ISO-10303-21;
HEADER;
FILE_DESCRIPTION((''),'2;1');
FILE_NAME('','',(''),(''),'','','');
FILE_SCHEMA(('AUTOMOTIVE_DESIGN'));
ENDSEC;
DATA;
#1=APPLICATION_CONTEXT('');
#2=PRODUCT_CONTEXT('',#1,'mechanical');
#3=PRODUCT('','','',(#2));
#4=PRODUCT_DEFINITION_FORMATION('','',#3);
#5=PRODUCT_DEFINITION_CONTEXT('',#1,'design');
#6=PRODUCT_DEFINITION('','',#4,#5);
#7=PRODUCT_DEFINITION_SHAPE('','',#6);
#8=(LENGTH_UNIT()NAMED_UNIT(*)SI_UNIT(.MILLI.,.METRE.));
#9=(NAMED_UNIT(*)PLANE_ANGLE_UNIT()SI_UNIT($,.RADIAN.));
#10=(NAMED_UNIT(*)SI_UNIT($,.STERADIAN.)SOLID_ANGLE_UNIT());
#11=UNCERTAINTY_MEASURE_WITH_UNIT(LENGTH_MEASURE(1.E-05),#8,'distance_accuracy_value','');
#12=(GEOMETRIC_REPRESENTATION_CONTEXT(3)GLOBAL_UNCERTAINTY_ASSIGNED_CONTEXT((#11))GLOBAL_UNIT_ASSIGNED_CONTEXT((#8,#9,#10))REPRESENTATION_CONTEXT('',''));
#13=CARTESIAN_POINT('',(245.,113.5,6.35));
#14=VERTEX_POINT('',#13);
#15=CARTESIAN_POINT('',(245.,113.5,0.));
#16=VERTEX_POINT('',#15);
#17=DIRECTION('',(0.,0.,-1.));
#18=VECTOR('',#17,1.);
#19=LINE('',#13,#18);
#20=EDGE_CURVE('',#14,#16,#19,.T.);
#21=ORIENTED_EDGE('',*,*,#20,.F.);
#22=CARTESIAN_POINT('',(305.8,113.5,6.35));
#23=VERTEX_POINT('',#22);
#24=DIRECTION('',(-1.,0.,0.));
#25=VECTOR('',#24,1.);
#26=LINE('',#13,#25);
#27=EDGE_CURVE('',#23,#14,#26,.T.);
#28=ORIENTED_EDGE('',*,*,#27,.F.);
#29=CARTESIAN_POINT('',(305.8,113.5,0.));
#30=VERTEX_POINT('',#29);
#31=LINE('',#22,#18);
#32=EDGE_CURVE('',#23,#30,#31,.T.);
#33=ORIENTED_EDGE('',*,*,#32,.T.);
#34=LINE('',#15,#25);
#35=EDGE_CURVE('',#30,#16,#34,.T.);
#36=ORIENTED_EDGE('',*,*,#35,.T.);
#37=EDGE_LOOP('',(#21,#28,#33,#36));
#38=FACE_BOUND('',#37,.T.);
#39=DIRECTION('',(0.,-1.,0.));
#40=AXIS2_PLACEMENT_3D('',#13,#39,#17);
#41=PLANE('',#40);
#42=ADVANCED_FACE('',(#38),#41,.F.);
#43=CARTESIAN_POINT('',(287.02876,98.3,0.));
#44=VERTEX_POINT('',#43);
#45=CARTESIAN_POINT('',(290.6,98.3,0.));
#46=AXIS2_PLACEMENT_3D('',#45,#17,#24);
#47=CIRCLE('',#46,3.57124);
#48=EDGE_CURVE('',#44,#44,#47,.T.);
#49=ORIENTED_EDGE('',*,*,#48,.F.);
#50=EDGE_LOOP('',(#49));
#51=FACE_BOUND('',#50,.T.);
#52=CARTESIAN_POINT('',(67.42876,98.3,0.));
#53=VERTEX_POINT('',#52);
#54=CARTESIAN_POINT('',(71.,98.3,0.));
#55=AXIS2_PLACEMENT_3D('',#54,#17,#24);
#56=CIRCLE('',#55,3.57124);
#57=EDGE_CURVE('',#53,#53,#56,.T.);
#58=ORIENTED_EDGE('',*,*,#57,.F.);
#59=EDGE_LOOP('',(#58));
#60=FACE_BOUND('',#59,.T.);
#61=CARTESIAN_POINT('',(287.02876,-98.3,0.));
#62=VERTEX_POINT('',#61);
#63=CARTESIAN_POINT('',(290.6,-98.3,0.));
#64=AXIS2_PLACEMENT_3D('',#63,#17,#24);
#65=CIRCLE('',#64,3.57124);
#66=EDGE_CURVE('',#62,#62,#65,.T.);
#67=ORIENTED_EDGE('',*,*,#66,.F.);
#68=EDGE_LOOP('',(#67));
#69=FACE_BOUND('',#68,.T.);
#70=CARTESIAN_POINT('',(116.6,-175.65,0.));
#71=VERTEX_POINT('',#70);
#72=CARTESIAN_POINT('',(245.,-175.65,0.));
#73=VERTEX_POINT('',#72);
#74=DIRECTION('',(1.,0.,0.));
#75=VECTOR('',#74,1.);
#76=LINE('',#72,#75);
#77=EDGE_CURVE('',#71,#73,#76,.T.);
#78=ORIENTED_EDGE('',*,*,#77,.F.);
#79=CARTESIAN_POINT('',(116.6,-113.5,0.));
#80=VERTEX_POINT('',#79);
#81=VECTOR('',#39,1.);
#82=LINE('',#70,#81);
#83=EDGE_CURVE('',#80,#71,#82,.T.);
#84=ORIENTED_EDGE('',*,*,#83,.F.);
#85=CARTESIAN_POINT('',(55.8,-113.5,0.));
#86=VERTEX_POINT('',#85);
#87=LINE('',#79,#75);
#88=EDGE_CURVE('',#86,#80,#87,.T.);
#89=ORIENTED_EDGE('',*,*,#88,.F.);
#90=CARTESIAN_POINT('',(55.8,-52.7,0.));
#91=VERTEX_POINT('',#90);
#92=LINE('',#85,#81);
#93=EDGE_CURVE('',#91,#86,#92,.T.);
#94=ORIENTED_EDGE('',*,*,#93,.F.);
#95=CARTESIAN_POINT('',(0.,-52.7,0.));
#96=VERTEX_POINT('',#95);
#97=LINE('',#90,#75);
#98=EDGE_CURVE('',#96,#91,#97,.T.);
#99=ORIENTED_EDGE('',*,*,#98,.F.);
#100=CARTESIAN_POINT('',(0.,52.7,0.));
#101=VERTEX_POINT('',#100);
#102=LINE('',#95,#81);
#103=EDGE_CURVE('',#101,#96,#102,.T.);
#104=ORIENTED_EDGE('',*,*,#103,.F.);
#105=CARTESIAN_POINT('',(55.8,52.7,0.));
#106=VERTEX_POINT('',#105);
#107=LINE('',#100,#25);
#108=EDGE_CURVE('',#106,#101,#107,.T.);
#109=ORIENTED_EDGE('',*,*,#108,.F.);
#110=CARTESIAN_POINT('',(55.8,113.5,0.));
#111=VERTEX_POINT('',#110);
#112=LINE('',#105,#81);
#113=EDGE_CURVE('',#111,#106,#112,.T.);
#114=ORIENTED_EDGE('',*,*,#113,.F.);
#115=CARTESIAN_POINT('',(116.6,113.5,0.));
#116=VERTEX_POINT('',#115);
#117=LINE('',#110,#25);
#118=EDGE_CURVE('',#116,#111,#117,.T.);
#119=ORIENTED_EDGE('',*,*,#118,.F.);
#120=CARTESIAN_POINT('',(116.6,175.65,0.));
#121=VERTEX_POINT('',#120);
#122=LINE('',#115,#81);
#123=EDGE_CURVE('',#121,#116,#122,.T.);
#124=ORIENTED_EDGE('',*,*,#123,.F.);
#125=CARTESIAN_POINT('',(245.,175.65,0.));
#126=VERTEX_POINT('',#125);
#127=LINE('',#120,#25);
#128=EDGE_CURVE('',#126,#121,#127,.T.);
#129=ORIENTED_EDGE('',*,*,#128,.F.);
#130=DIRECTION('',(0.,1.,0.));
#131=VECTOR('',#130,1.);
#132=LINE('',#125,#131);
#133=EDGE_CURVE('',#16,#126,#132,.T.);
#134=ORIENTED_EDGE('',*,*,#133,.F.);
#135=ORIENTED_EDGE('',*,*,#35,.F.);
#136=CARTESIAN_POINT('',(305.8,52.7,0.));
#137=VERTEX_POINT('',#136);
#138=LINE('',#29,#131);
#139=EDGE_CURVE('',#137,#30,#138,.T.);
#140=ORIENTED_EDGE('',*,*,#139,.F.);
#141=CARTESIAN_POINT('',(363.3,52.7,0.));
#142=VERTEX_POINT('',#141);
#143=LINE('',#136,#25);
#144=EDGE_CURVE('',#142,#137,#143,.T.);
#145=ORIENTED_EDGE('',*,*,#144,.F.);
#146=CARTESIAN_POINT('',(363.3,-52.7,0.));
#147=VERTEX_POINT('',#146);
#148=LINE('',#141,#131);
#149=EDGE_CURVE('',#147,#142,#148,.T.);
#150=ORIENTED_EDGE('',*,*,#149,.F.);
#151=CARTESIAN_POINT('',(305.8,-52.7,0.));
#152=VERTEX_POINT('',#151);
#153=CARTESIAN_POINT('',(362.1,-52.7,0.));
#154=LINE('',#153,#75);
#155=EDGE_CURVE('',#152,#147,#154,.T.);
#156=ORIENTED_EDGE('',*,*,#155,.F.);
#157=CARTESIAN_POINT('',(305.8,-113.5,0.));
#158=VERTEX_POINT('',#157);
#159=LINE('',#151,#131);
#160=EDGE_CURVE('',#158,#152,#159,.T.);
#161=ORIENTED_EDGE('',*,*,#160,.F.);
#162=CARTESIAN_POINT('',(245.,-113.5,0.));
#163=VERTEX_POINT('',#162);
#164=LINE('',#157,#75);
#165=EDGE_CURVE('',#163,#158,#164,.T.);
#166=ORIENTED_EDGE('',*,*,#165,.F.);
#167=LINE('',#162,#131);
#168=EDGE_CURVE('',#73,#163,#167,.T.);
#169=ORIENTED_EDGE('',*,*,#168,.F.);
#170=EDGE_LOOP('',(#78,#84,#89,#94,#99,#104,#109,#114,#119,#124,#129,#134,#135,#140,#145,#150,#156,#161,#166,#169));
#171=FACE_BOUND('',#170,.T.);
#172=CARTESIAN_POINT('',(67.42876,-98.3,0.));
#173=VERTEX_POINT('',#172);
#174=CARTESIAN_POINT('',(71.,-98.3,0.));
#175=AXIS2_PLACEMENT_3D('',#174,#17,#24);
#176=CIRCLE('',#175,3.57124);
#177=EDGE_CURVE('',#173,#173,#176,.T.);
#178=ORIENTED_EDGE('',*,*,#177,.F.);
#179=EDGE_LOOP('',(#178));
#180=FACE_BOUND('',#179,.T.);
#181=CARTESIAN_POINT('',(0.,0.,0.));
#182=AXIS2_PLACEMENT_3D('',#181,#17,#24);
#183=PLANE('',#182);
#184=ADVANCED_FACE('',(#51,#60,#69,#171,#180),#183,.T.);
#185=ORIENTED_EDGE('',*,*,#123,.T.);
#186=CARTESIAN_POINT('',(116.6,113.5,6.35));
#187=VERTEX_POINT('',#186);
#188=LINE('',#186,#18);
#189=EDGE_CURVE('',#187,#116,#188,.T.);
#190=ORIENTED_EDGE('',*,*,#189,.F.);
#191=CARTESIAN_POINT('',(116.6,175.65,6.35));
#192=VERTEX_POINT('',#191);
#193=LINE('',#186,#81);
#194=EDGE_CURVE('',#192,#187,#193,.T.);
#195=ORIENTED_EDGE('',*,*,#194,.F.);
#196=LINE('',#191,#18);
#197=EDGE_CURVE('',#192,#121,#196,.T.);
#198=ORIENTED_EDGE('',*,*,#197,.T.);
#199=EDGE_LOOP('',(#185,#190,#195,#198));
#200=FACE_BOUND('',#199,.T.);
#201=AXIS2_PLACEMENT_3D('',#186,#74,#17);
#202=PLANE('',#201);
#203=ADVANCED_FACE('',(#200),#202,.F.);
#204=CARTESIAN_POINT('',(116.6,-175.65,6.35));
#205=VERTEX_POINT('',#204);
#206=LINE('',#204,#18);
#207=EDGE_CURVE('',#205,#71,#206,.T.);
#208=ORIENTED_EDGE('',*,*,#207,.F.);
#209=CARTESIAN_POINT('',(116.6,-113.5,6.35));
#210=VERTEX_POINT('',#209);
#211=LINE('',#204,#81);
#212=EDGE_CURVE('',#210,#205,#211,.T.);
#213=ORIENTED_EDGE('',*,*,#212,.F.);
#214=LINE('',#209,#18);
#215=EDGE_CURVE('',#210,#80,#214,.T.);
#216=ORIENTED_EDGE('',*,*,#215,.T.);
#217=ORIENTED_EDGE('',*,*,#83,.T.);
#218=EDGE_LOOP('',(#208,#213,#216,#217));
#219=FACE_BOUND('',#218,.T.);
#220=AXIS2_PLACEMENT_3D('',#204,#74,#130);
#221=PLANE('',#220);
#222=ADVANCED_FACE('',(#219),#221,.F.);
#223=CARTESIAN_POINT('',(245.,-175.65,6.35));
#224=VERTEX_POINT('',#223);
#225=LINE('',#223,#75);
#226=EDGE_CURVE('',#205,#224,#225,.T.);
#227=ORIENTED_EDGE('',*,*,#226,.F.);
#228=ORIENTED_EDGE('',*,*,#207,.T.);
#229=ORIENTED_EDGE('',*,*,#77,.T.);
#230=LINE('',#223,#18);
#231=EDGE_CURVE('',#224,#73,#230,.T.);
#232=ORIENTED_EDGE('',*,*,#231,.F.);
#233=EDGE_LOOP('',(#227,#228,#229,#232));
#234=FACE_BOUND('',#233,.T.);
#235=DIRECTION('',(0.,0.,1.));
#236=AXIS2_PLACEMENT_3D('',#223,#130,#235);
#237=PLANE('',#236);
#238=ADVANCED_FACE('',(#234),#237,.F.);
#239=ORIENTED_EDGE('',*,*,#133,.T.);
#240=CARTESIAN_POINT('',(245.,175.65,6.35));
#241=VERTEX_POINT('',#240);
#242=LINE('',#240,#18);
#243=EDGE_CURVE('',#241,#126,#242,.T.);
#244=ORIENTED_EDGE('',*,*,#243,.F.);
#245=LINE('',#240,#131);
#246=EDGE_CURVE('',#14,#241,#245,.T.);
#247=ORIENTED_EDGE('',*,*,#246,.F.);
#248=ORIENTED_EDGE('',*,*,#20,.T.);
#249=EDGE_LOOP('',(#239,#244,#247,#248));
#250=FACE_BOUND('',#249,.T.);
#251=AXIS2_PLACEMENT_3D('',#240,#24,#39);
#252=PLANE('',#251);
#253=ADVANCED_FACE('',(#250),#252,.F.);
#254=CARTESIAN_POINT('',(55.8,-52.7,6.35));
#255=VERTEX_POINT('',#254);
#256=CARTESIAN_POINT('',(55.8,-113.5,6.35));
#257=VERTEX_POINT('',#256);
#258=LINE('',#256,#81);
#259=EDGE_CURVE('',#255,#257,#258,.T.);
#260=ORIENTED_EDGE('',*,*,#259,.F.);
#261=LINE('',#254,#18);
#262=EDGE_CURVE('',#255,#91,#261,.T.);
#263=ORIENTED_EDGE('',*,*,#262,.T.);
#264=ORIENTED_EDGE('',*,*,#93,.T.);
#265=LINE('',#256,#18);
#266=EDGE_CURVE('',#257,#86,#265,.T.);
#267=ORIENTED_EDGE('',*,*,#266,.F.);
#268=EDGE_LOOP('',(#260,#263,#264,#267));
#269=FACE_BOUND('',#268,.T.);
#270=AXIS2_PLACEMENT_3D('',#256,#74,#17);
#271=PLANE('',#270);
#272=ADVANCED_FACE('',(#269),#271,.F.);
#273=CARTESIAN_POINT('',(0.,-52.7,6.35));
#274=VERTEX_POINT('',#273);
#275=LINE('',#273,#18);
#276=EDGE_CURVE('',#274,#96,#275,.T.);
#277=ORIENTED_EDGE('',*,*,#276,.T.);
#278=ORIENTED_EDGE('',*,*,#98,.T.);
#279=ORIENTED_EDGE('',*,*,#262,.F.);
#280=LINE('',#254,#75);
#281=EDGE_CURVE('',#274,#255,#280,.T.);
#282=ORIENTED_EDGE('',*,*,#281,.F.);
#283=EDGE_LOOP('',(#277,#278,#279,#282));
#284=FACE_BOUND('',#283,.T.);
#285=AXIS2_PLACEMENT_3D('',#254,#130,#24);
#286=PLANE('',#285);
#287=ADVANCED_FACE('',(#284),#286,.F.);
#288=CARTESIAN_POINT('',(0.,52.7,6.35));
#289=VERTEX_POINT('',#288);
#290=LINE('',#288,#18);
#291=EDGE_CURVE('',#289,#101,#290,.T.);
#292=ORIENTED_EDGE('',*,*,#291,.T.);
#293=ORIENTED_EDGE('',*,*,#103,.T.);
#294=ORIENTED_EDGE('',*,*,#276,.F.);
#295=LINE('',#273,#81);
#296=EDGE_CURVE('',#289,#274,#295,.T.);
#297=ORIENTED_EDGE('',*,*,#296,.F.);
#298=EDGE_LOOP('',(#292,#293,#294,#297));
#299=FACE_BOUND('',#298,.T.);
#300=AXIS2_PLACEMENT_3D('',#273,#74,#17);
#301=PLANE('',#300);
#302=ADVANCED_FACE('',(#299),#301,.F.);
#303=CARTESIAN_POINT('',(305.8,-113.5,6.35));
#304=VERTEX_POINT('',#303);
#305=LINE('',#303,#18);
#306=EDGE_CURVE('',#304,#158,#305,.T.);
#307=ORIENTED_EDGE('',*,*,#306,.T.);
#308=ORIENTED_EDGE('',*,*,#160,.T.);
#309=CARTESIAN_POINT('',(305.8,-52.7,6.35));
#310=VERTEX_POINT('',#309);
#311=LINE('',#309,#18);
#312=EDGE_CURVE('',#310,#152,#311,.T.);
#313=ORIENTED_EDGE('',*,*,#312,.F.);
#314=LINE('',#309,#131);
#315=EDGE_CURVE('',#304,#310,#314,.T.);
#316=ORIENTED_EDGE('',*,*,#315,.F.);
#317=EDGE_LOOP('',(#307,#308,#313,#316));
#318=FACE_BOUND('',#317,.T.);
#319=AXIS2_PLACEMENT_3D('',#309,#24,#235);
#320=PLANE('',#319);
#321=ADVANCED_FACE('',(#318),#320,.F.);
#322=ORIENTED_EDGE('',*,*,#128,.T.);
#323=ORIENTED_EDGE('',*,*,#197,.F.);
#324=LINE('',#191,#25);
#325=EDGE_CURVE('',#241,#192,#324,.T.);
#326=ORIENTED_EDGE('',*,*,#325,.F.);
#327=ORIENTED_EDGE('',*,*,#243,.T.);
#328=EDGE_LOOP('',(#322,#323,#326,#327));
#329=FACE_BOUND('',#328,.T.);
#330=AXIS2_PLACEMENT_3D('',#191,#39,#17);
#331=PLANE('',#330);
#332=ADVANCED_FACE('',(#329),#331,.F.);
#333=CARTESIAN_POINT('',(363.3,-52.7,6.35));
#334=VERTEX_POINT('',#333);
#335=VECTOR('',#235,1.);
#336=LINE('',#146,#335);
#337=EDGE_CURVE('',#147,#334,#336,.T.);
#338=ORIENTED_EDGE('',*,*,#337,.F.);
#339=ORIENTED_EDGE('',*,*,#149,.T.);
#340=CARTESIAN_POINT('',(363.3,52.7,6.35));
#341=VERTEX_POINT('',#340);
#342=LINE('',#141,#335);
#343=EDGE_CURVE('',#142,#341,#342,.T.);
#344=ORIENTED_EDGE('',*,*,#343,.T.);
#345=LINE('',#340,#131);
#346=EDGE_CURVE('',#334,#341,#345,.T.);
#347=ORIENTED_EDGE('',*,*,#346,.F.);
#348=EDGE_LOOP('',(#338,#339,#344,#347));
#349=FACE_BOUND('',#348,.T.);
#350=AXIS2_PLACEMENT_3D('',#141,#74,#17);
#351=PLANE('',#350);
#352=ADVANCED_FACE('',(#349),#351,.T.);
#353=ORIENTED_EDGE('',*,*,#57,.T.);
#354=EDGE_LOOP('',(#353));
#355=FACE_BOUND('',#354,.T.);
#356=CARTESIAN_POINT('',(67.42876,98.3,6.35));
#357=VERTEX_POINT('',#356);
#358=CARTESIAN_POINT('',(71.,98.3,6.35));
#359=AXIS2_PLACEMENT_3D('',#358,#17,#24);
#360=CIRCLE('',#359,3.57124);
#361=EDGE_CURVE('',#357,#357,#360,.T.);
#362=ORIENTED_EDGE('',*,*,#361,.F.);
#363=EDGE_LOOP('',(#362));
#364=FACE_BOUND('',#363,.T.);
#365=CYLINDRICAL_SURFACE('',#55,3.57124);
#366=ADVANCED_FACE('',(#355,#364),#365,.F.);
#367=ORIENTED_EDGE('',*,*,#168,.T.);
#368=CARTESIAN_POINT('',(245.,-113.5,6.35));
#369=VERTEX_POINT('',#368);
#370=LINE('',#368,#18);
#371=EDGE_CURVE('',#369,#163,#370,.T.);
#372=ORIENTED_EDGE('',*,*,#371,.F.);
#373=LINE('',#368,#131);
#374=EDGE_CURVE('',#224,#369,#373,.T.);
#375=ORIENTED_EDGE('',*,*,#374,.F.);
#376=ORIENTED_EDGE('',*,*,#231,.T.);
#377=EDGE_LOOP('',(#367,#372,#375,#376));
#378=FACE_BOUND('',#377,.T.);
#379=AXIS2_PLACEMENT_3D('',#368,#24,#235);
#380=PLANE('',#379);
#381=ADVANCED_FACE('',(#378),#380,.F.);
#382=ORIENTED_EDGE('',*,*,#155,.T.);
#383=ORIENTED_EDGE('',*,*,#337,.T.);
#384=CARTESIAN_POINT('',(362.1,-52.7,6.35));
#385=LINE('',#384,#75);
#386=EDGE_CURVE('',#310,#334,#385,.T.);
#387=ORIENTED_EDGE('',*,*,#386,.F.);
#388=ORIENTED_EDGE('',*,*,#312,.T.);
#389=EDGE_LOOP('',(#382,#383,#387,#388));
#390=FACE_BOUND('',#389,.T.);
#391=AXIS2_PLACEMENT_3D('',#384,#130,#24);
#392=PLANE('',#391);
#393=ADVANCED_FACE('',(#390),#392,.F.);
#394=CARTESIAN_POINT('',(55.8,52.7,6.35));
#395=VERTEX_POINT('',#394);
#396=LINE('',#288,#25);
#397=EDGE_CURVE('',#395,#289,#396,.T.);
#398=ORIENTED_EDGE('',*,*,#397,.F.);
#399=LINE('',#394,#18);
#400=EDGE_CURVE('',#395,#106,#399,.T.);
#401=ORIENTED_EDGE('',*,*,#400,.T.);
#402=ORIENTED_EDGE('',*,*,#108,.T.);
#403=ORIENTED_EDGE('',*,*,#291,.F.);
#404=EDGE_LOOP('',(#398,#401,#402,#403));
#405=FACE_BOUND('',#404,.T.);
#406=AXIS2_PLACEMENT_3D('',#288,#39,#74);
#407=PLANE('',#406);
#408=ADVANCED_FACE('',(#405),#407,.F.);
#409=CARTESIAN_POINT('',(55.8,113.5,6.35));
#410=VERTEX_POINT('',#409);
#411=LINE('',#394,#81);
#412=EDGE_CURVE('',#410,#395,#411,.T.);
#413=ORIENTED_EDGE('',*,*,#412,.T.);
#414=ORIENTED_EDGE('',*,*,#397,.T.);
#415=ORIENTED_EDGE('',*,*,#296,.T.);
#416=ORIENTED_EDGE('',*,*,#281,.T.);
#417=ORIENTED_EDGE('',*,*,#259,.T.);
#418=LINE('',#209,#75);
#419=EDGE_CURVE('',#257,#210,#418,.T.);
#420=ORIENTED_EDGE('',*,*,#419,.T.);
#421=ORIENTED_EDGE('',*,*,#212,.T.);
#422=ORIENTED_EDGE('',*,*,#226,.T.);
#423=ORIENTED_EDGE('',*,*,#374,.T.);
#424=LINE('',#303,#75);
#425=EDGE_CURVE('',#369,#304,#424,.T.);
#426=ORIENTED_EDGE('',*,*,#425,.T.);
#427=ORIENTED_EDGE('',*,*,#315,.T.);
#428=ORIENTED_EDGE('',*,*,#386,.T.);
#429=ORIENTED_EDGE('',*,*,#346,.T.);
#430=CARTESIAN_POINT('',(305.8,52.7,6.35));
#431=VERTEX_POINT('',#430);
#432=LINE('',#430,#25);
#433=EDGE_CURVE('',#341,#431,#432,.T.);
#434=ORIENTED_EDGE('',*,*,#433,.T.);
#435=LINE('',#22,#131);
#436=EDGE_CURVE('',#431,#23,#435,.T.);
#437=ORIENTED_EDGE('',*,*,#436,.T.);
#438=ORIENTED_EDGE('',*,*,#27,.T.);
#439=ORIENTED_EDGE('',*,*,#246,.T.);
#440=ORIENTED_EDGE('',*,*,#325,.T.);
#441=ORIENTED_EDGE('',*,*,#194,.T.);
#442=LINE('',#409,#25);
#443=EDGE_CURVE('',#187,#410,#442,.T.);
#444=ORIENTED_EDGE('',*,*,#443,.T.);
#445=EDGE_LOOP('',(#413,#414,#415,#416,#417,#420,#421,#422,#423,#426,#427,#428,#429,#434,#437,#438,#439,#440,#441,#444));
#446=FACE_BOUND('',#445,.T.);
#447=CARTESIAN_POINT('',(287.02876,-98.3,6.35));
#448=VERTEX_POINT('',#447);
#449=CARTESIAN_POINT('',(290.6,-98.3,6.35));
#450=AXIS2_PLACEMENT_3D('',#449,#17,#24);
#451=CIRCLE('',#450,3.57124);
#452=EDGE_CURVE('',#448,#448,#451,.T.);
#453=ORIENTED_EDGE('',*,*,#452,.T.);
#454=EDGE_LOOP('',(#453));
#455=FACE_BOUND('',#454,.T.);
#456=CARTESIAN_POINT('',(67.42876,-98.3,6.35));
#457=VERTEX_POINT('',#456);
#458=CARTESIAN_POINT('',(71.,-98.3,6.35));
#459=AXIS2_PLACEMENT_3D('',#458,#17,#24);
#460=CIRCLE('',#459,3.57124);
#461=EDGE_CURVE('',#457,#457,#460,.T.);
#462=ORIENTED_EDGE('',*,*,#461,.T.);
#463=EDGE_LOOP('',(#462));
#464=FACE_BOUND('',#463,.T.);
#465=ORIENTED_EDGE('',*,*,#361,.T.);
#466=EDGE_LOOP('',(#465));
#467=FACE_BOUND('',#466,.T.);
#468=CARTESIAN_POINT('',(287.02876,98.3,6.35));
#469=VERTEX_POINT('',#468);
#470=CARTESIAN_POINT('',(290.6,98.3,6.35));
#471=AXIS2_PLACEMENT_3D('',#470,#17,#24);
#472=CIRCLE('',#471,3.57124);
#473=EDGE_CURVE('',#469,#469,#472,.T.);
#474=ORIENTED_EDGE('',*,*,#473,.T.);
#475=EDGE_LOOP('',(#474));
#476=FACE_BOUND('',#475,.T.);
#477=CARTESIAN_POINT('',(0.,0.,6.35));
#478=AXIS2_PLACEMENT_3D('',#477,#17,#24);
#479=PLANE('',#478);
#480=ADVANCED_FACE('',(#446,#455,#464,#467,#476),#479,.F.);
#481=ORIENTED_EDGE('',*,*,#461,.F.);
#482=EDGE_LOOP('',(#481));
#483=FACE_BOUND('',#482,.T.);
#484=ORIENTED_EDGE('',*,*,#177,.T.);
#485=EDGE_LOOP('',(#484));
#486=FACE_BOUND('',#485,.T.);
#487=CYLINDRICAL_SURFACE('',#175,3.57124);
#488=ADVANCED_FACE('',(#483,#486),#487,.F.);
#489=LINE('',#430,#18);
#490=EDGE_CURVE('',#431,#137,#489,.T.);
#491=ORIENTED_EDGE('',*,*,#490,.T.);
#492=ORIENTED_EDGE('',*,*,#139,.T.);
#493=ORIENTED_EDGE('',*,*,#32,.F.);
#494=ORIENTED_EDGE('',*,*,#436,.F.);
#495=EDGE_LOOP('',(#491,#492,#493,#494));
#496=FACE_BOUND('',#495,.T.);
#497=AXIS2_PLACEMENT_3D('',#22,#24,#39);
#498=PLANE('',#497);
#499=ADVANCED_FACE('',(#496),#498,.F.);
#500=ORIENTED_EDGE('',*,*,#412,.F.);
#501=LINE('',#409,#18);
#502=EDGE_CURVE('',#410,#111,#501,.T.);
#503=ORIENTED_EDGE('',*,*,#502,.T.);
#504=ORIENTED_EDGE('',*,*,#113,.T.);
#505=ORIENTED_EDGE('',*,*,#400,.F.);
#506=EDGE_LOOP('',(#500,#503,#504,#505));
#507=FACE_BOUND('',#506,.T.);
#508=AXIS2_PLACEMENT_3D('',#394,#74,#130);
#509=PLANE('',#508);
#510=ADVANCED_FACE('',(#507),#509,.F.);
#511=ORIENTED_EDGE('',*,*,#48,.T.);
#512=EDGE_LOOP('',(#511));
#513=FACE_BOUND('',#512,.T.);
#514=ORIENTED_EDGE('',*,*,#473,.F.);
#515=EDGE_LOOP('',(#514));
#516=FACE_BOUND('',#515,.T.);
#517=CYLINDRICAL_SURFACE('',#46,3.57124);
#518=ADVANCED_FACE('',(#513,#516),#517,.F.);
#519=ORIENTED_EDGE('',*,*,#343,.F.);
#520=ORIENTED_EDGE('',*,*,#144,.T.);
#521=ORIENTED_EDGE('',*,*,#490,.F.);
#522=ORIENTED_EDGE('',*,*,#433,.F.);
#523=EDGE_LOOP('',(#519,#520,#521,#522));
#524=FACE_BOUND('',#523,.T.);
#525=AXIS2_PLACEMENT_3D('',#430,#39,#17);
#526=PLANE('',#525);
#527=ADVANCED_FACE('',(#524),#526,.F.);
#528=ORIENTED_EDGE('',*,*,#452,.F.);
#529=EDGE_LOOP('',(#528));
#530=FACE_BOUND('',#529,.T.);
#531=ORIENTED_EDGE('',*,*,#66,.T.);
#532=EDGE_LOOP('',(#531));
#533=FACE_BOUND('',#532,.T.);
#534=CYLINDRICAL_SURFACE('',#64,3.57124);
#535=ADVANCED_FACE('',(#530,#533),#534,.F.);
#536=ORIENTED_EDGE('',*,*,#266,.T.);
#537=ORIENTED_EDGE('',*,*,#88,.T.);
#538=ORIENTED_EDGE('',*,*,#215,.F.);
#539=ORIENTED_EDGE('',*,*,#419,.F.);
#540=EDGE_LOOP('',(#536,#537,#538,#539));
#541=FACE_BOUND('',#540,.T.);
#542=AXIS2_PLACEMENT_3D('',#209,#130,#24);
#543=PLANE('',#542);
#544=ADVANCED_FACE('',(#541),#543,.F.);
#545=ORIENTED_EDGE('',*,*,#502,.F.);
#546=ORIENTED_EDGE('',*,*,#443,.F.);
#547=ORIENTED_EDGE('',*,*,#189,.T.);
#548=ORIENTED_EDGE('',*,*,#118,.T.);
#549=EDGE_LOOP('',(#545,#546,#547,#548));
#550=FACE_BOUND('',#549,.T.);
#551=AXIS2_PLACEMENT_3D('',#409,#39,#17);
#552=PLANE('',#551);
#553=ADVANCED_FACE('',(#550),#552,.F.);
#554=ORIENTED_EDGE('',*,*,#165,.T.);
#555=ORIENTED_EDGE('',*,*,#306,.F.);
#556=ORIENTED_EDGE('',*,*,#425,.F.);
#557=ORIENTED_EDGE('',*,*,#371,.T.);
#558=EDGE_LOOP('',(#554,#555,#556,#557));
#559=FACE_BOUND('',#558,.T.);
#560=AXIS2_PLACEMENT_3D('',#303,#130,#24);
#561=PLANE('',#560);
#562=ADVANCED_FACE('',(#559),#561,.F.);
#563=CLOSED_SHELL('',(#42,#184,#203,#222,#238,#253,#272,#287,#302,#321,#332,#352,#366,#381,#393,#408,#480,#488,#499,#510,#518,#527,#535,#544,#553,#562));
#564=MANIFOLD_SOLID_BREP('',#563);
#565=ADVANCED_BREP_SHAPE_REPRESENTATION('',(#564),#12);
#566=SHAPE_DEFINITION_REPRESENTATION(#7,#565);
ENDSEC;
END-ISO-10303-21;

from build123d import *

# Parameters (mm, degrees)
BOSS_EXTRU_1_DEPTH = 6.35
ESQUISSE2_W        = 1.2
ESQUISSE2_H        = 105.4
BOSS_EXTRU_2_DEPTH = 6.35
D_GAGEMENT_1_41_D  = 7.14248


with BuildPart() as part:
    # Esquisse1 → Boss.-Extru.1 (new body)
    with BuildSketch(Plane.XY):
        Polygon((55.8, 113.5), (116.6, 113.5), (116.6, 175.65), (245, 175.65), (245, 113.5), (305.8, 113.5), (305.8, 52.7), (362.1, 52.7), (362.1, -52.7), (305.8, -52.7), (305.8, -113.5), (245, -113.5), (245, -175.65), (116.6, -175.65), (116.6, -113.5), (55.8, -113.5), (55.8, -52.7), (0, -52.7), (0, 52.7), (55.8, 52.7), align=None)
    extrude(amount=BOSS_EXTRU_1_DEPTH)

    # Esquisse2 → Boss.-Extru.2 (add, through all)
    with BuildSketch(Plane.XY.offset(6.35)):
        with Locations((362.7, 0)):
            Rectangle(ESQUISSE2_W, ESQUISSE2_H)
    extrude(amount=-BOSS_EXTRU_2_DEPTH)

    # Dégagement 1/41 (through all)
    with Locations(Plane(origin=(0, 0, 0), x_dir=(-1, 0, 0), z_dir=(0, 0, -1))):
        with Locations((-290.6, 98.3), (-71, 98.3), (-71, -98.3), (-290.6, -98.3)):
            Hole(D_GAGEMENT_1_41_D / 2)


solid = part.part
